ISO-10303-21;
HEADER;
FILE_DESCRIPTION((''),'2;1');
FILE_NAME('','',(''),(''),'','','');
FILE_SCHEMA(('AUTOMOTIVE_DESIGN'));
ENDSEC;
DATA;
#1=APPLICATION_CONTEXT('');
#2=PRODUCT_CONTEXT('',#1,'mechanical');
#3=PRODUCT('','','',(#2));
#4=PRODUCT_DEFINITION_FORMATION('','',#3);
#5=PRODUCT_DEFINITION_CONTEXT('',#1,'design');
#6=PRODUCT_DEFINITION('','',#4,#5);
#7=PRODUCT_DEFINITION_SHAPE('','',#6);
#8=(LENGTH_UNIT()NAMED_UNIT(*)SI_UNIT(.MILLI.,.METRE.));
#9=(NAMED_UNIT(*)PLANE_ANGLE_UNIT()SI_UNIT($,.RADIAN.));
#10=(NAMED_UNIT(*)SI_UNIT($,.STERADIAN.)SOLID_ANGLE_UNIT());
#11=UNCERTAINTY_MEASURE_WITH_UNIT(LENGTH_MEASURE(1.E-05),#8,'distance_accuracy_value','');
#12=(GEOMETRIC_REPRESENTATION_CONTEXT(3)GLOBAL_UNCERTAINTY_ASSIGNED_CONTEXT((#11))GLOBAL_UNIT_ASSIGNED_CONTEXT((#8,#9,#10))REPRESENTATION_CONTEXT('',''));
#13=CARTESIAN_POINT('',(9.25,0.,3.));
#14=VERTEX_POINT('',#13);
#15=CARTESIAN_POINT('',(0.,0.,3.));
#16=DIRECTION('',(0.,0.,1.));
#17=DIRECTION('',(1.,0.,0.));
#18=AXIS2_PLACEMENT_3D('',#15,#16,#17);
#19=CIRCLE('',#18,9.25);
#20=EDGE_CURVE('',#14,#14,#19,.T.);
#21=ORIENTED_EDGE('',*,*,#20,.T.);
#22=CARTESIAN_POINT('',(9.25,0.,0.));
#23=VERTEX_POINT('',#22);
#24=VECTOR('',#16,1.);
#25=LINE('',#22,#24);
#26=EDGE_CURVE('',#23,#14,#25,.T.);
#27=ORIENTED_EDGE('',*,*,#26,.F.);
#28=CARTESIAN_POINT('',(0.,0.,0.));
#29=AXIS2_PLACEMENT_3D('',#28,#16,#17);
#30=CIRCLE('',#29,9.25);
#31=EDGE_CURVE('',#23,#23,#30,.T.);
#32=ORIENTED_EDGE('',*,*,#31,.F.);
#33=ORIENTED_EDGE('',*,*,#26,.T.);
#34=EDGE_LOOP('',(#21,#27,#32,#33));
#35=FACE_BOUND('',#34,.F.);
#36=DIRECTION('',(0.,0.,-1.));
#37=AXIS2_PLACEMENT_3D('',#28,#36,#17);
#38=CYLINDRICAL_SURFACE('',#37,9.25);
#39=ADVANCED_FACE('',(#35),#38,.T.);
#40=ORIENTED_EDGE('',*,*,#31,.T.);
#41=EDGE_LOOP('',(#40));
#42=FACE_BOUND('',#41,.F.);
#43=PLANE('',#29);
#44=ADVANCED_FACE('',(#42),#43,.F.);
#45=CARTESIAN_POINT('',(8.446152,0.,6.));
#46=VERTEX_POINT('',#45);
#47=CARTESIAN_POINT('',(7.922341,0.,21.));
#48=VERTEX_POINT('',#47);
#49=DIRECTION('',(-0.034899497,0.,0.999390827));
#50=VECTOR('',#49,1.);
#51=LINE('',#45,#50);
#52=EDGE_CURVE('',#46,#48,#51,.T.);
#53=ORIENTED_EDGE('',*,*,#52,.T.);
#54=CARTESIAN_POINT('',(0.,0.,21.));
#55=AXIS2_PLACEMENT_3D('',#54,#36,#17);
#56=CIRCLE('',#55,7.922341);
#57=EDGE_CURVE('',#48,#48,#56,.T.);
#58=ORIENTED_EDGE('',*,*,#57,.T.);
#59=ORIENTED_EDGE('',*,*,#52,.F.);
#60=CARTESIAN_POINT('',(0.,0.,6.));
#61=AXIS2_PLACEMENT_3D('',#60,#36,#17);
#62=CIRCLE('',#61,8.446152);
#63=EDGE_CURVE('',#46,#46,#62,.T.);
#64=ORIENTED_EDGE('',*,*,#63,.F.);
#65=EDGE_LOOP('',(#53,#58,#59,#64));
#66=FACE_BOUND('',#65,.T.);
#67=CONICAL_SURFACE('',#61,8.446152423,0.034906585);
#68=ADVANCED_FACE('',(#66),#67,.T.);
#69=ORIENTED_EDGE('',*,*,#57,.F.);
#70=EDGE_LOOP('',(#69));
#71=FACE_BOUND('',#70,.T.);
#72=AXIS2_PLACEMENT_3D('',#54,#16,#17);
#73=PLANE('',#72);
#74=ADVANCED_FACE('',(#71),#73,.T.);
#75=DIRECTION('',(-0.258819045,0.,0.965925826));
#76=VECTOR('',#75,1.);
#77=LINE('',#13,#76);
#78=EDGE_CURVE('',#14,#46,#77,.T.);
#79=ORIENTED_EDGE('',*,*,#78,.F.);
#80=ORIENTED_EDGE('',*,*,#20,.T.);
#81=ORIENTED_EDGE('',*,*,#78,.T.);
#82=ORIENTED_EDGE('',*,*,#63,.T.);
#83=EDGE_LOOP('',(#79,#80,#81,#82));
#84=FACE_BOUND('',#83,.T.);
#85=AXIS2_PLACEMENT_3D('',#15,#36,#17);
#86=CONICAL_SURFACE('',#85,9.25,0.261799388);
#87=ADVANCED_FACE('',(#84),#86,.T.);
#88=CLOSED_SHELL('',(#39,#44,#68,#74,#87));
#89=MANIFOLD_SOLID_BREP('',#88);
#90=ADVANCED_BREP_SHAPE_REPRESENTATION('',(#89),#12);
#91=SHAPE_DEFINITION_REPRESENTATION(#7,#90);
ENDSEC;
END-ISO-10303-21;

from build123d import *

# Parameters (mm, degrees)
F0_R      = 9.25
F1_DEPTH  = 3
F1_FACE_R = 9.25
F2_DEPTH  = 3
F2_TAPER  = 15
F2_FACE_R = 8.4461524227
F3_DEPTH  = 15
F3_TAPER  = 2


with BuildPart() as f1:
    # F0 (on Top) → F1 (new body)
    with BuildSketch(Plane.XY):
        Circle(F0_R)
    extrude(amount=F1_DEPTH)

    # F1_face (on face) → F2 (join)
    with BuildSketch(Plane.XY.offset(3)):
        Circle(F1_FACE_R)
    extrude(amount=F2_DEPTH, taper=F2_TAPER)

    # F2_face (on face) → F3 (join)
    with BuildSketch(Plane.XY.offset(6)):
        Circle(F2_FACE_R)
    extrude(amount=F3_DEPTH, taper=F3_TAPER)


solid = f1.part
